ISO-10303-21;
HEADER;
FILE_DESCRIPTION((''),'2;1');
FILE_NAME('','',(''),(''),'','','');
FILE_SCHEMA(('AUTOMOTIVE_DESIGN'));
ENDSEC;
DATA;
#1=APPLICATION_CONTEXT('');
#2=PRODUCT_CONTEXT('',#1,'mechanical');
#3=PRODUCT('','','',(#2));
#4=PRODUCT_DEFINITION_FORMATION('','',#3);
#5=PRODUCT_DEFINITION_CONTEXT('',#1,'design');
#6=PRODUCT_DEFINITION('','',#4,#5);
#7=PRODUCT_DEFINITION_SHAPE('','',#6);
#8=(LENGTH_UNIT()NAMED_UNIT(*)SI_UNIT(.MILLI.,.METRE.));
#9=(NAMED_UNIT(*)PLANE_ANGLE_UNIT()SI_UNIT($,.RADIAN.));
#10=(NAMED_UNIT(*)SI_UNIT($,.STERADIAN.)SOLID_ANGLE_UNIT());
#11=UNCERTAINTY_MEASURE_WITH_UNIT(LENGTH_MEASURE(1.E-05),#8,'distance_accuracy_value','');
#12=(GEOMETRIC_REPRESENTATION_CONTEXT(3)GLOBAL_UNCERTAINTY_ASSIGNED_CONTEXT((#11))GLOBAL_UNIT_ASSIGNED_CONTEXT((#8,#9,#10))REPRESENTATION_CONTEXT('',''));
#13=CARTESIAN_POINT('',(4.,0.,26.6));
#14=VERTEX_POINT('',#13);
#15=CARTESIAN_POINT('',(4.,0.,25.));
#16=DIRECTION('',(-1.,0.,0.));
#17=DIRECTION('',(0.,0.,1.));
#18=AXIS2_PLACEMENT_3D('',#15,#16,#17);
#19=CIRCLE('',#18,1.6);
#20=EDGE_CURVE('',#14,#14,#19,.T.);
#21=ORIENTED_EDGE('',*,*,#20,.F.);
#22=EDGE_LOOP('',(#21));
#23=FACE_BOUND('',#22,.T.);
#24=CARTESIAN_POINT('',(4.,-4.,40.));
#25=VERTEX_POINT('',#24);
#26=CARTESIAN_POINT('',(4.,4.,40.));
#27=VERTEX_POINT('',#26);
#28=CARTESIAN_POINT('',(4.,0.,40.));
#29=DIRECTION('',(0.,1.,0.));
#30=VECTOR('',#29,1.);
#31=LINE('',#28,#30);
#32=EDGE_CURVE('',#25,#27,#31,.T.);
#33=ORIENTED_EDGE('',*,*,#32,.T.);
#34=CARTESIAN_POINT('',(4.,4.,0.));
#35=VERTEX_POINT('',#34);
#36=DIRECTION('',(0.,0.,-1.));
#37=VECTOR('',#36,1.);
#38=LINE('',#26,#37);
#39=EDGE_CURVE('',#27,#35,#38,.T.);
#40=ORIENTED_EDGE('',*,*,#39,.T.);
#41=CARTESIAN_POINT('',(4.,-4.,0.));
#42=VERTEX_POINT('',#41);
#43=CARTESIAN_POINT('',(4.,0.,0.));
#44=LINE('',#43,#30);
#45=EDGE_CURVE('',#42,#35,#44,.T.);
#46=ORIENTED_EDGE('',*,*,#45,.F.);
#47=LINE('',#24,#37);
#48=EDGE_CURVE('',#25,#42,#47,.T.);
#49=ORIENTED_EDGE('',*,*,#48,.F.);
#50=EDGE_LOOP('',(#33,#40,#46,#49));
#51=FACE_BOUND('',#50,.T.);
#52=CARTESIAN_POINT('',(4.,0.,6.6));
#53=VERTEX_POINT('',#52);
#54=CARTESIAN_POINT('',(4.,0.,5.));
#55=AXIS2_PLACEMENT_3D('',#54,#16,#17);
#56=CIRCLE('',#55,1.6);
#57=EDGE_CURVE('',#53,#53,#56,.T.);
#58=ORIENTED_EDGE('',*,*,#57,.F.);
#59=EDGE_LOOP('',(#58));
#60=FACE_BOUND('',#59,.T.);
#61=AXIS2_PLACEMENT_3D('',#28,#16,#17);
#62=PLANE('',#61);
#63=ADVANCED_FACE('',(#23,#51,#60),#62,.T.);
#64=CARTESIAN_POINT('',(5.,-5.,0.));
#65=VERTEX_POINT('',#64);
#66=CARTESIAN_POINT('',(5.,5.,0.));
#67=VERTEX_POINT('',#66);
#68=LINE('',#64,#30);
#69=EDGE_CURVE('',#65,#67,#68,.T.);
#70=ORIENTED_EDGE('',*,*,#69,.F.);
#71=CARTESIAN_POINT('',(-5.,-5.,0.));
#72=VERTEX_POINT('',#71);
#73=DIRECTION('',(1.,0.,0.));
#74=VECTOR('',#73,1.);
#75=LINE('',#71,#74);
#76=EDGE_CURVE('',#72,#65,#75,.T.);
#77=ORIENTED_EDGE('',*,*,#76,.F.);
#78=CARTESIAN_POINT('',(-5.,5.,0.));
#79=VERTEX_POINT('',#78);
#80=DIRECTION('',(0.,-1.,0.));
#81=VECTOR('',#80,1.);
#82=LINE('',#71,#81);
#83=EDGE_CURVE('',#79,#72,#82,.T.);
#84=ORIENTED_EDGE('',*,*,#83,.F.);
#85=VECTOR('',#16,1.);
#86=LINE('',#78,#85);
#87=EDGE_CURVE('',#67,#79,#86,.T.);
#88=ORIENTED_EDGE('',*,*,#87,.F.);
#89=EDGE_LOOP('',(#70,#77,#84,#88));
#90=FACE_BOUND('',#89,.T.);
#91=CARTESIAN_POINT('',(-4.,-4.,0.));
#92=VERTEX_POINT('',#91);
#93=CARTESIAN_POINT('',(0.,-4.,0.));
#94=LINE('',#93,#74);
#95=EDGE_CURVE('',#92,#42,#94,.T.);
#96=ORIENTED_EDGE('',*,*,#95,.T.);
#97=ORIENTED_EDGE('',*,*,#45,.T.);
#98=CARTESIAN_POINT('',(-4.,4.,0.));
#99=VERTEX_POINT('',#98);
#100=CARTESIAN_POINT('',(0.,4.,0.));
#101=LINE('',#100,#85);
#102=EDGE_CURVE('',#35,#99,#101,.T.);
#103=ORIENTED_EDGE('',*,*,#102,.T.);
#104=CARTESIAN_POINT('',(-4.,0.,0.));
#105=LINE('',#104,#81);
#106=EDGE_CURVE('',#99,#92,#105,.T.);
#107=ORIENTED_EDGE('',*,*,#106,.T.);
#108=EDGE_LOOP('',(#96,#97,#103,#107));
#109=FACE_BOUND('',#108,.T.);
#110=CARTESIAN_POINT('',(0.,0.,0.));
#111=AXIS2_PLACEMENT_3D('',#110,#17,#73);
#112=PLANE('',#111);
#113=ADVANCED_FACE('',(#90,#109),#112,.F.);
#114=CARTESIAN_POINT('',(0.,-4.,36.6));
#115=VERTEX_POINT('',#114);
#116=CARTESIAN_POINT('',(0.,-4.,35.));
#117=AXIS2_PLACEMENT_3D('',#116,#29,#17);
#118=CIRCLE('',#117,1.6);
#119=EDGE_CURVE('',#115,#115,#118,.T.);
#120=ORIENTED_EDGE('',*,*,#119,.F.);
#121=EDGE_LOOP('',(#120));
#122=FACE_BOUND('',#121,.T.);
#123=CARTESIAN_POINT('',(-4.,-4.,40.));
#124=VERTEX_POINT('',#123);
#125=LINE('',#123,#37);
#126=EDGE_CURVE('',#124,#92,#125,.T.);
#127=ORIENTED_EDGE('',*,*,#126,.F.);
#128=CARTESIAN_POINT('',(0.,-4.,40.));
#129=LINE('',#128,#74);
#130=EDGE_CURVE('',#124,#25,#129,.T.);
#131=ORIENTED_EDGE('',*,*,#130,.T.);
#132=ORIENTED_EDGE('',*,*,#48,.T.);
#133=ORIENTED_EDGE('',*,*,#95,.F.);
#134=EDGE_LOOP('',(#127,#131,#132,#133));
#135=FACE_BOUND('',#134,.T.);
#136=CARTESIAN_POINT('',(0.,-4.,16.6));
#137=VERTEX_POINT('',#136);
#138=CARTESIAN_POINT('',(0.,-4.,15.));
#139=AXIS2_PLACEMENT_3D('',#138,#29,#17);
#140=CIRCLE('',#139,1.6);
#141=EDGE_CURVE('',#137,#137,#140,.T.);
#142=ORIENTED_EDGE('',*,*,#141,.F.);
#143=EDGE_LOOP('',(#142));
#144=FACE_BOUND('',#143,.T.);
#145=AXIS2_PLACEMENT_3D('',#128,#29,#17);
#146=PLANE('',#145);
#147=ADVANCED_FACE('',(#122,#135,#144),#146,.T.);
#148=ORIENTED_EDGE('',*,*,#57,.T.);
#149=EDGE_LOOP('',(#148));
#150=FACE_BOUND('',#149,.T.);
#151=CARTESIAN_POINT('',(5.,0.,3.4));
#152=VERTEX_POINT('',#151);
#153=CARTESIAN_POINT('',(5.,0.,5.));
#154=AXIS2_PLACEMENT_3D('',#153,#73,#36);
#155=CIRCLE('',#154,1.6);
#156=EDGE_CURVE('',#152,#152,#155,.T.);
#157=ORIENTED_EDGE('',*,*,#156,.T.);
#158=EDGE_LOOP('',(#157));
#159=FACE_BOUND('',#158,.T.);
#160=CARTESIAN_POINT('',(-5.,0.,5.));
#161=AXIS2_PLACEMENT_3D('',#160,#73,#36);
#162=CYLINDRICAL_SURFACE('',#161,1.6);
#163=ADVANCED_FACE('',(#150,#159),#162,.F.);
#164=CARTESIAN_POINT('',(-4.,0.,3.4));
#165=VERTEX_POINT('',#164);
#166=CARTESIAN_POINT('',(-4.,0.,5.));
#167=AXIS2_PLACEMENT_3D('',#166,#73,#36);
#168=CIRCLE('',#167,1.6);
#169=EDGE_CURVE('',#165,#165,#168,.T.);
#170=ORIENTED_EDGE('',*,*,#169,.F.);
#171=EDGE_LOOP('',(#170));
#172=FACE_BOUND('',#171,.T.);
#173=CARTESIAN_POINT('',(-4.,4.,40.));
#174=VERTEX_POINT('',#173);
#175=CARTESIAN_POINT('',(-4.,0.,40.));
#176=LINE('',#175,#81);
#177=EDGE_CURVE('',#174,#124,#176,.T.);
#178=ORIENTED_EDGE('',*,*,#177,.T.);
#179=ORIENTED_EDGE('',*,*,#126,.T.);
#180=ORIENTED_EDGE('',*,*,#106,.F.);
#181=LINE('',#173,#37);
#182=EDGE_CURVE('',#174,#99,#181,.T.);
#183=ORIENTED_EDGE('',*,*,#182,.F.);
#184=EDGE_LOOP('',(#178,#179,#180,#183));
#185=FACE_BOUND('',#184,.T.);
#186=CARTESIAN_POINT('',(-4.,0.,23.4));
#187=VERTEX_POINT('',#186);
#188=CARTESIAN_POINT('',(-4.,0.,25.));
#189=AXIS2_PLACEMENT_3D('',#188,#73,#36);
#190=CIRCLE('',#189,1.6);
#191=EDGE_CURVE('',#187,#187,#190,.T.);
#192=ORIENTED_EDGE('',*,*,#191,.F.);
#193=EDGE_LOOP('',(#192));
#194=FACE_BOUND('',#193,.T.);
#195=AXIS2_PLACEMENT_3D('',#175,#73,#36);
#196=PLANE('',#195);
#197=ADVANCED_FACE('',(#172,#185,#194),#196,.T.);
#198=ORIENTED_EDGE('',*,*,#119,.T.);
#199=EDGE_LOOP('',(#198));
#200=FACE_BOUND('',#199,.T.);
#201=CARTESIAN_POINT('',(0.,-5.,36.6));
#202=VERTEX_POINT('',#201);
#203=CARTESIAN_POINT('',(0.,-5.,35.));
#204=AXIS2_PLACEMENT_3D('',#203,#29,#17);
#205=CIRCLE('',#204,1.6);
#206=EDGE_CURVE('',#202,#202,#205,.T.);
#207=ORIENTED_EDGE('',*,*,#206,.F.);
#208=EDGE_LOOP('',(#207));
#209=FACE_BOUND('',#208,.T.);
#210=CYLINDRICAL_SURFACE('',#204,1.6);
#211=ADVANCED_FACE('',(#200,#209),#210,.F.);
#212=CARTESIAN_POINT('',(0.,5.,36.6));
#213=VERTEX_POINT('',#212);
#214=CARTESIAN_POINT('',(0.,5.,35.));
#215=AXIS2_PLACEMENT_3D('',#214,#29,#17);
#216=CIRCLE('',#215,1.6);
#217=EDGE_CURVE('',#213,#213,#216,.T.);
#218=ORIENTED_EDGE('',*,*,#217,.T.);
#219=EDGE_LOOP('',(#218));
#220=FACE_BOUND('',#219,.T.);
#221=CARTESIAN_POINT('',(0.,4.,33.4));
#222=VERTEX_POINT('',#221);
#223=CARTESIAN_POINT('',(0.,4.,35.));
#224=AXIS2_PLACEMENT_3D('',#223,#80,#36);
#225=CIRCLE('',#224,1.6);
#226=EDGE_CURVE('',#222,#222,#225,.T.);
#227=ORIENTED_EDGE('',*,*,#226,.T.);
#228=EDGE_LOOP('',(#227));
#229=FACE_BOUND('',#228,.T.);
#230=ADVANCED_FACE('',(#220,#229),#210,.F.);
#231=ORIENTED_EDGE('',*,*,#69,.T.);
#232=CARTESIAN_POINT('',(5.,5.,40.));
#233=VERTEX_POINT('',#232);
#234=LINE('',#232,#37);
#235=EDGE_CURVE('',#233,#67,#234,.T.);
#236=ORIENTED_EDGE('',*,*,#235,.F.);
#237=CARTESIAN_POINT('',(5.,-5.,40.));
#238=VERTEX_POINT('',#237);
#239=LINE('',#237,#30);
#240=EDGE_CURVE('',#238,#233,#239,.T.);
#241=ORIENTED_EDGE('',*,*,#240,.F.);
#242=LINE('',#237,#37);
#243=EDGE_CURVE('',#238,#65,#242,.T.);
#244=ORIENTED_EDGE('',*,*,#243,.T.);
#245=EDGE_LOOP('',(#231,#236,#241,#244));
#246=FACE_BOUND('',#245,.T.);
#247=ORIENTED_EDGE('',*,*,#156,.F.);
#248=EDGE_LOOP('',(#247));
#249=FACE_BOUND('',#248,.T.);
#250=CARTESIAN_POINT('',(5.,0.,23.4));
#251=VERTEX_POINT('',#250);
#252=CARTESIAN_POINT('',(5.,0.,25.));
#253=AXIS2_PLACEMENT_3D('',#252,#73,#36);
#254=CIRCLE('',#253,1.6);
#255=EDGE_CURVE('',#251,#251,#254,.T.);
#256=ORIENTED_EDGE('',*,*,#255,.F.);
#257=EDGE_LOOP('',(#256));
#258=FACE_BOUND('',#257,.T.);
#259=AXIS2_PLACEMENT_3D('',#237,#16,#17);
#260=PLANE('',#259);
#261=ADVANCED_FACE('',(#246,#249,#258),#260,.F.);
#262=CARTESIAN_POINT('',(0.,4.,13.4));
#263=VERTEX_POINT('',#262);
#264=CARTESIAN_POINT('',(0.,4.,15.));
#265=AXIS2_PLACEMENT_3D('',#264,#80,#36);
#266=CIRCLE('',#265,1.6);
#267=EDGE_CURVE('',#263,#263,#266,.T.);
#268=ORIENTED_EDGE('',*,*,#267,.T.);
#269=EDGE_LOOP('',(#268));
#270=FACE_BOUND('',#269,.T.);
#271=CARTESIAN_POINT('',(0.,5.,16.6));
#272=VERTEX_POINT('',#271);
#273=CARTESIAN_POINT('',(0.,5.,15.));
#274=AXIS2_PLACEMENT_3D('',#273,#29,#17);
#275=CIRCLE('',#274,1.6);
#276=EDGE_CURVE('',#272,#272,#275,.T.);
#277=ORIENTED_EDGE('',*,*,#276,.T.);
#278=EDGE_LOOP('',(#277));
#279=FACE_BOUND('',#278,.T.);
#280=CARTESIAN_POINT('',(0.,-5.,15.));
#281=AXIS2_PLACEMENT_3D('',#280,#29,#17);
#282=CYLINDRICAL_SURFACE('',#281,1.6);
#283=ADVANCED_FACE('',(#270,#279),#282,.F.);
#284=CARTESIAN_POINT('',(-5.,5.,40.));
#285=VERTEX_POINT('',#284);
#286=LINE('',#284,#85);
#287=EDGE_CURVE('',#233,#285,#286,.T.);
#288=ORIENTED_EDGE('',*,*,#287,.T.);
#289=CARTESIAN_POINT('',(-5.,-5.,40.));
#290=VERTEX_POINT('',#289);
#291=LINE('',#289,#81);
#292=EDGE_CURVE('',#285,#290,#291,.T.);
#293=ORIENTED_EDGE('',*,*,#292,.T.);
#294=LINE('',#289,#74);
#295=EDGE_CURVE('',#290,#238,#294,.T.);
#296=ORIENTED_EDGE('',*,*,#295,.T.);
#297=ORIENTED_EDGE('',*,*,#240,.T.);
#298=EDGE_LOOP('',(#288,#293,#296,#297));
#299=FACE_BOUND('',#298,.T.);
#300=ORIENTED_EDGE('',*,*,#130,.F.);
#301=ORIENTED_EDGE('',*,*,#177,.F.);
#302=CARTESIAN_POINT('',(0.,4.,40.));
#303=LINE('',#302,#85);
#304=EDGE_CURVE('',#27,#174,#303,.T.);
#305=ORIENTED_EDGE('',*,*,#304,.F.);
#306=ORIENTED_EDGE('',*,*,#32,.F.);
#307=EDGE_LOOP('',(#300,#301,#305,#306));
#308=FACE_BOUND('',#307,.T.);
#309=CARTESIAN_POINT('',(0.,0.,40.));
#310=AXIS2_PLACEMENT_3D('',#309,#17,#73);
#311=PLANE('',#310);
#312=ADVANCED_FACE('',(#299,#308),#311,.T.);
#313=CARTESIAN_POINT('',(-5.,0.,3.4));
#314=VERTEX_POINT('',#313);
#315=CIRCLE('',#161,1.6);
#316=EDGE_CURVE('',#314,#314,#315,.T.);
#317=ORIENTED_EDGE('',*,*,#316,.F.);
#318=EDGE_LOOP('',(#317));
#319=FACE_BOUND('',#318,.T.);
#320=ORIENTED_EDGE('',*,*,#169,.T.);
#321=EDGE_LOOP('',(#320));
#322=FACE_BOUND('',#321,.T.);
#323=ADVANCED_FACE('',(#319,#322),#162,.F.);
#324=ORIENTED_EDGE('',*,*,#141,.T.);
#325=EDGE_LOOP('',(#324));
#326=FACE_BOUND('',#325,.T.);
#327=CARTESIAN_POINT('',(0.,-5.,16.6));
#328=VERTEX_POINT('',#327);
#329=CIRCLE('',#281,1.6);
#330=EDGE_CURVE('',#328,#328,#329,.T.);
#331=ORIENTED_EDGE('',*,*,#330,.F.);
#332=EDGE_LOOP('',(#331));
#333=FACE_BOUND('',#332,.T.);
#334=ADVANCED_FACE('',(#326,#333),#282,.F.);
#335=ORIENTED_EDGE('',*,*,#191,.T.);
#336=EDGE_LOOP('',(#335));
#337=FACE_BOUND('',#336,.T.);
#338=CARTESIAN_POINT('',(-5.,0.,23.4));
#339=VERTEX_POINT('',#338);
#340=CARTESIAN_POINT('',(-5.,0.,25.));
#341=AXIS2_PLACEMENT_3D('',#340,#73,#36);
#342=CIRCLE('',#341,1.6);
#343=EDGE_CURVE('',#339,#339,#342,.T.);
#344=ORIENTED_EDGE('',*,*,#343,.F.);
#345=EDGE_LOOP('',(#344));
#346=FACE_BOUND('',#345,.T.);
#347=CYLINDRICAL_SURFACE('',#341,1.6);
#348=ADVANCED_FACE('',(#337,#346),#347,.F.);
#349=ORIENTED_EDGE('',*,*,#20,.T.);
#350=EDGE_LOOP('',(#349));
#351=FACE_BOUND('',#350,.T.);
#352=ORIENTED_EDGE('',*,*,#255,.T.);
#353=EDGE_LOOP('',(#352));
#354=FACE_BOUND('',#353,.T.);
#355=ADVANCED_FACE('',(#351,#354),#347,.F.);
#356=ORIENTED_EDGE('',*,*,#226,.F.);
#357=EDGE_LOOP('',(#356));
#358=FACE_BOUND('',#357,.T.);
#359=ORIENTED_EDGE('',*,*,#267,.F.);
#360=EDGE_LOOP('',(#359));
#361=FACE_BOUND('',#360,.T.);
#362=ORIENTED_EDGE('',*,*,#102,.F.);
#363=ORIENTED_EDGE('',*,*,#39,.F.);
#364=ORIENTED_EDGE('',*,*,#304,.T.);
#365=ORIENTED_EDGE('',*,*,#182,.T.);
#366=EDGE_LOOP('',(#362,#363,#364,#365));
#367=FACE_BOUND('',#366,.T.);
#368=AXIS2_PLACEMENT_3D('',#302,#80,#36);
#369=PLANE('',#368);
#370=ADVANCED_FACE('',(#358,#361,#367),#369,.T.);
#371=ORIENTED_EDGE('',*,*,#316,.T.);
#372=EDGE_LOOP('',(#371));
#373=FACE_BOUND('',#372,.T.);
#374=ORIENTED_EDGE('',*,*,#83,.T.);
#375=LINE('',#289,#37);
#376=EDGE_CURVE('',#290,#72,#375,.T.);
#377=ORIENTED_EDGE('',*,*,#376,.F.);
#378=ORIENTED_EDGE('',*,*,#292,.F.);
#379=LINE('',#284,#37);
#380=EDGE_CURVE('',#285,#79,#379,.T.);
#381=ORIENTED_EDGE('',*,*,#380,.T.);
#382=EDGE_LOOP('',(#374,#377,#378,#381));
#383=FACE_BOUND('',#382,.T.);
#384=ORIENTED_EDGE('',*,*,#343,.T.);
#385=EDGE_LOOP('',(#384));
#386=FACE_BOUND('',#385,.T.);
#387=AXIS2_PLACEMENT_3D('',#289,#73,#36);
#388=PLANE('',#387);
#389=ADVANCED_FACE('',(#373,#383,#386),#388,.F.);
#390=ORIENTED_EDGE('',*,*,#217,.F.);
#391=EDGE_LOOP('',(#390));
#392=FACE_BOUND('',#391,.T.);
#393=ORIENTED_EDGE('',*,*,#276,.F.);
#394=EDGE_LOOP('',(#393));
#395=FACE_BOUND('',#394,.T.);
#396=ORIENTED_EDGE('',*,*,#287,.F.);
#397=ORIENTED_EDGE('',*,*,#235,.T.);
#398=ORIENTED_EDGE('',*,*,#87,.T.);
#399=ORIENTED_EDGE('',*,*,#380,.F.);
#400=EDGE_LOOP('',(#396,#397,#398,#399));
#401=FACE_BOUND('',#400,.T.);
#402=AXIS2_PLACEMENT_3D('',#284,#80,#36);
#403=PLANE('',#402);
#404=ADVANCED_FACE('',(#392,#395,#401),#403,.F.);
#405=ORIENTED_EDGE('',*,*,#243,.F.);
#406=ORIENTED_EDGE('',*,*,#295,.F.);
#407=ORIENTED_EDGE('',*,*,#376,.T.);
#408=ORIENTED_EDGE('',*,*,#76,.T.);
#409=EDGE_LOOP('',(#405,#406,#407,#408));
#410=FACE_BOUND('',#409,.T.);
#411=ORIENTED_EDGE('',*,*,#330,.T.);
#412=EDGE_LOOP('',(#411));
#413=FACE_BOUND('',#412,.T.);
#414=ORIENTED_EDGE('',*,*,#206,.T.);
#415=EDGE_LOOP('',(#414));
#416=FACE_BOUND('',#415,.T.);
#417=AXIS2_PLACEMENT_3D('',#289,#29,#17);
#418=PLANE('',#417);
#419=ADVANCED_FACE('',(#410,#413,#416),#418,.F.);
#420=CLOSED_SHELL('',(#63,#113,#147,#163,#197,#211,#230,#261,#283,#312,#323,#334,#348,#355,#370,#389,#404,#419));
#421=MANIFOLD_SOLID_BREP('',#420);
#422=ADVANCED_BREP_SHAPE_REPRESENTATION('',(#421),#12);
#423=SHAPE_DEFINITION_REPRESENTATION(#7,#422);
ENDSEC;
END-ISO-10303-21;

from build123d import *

# Parameters (mm, degrees)
SKETCH_283_W          = 10
SKETCH_283_H          = 10
SKETCH_283_W_2        = 8
SKETCH_283_H_2        = 8
EXTRUDE_340_DEPTH     = 40
SKETCH_412_R          = 1.6
CUT_EXTRUDE_825_DEPTH = 42.533119315
SKETCH_631_R          = 1.6
CUT_EXTRUDE_869_DEPTH = 42.533119315


with BuildPart() as part:
    # Sketch 283 → Extrude 340 (new body)
    with BuildSketch(Plane.XY):
        Rectangle(SKETCH_283_W, SKETCH_283_H)
        Rectangle(SKETCH_283_W_2, SKETCH_283_H_2, mode=Mode.SUBTRACT)
    extrude(amount=EXTRUDE_340_DEPTH)

    # Sketch 412 → Cut-Extrude 825 (cut, through all)
    with BuildSketch(Plane(origin=(0, 5, 0), x_dir=(1, 0, 0), z_dir=(0, 1, 0))):
        with Locations(Location((0, -15, 0), (0, 0, 270))):
            Circle(SKETCH_412_R)
        with Locations(Location((0, -35, 0), (0, 0, 270))):
            Circle(SKETCH_412_R)
    extrude(amount=-CUT_EXTRUDE_825_DEPTH, mode=Mode.SUBTRACT)

    # Sketch 631 → Cut-Extrude 869 (cut, through all)
    with BuildSketch(Plane(origin=(5, 0, 0), x_dir=(0, 0, -1), z_dir=(1, 0, 0))):
        with Locations((-5, 0)):
            Circle(SKETCH_631_R)
        with Locations((-25, 0)):
            Circle(SKETCH_631_R)
    extrude(amount=-CUT_EXTRUDE_869_DEPTH, mode=Mode.SUBTRACT)


solid = part.part
